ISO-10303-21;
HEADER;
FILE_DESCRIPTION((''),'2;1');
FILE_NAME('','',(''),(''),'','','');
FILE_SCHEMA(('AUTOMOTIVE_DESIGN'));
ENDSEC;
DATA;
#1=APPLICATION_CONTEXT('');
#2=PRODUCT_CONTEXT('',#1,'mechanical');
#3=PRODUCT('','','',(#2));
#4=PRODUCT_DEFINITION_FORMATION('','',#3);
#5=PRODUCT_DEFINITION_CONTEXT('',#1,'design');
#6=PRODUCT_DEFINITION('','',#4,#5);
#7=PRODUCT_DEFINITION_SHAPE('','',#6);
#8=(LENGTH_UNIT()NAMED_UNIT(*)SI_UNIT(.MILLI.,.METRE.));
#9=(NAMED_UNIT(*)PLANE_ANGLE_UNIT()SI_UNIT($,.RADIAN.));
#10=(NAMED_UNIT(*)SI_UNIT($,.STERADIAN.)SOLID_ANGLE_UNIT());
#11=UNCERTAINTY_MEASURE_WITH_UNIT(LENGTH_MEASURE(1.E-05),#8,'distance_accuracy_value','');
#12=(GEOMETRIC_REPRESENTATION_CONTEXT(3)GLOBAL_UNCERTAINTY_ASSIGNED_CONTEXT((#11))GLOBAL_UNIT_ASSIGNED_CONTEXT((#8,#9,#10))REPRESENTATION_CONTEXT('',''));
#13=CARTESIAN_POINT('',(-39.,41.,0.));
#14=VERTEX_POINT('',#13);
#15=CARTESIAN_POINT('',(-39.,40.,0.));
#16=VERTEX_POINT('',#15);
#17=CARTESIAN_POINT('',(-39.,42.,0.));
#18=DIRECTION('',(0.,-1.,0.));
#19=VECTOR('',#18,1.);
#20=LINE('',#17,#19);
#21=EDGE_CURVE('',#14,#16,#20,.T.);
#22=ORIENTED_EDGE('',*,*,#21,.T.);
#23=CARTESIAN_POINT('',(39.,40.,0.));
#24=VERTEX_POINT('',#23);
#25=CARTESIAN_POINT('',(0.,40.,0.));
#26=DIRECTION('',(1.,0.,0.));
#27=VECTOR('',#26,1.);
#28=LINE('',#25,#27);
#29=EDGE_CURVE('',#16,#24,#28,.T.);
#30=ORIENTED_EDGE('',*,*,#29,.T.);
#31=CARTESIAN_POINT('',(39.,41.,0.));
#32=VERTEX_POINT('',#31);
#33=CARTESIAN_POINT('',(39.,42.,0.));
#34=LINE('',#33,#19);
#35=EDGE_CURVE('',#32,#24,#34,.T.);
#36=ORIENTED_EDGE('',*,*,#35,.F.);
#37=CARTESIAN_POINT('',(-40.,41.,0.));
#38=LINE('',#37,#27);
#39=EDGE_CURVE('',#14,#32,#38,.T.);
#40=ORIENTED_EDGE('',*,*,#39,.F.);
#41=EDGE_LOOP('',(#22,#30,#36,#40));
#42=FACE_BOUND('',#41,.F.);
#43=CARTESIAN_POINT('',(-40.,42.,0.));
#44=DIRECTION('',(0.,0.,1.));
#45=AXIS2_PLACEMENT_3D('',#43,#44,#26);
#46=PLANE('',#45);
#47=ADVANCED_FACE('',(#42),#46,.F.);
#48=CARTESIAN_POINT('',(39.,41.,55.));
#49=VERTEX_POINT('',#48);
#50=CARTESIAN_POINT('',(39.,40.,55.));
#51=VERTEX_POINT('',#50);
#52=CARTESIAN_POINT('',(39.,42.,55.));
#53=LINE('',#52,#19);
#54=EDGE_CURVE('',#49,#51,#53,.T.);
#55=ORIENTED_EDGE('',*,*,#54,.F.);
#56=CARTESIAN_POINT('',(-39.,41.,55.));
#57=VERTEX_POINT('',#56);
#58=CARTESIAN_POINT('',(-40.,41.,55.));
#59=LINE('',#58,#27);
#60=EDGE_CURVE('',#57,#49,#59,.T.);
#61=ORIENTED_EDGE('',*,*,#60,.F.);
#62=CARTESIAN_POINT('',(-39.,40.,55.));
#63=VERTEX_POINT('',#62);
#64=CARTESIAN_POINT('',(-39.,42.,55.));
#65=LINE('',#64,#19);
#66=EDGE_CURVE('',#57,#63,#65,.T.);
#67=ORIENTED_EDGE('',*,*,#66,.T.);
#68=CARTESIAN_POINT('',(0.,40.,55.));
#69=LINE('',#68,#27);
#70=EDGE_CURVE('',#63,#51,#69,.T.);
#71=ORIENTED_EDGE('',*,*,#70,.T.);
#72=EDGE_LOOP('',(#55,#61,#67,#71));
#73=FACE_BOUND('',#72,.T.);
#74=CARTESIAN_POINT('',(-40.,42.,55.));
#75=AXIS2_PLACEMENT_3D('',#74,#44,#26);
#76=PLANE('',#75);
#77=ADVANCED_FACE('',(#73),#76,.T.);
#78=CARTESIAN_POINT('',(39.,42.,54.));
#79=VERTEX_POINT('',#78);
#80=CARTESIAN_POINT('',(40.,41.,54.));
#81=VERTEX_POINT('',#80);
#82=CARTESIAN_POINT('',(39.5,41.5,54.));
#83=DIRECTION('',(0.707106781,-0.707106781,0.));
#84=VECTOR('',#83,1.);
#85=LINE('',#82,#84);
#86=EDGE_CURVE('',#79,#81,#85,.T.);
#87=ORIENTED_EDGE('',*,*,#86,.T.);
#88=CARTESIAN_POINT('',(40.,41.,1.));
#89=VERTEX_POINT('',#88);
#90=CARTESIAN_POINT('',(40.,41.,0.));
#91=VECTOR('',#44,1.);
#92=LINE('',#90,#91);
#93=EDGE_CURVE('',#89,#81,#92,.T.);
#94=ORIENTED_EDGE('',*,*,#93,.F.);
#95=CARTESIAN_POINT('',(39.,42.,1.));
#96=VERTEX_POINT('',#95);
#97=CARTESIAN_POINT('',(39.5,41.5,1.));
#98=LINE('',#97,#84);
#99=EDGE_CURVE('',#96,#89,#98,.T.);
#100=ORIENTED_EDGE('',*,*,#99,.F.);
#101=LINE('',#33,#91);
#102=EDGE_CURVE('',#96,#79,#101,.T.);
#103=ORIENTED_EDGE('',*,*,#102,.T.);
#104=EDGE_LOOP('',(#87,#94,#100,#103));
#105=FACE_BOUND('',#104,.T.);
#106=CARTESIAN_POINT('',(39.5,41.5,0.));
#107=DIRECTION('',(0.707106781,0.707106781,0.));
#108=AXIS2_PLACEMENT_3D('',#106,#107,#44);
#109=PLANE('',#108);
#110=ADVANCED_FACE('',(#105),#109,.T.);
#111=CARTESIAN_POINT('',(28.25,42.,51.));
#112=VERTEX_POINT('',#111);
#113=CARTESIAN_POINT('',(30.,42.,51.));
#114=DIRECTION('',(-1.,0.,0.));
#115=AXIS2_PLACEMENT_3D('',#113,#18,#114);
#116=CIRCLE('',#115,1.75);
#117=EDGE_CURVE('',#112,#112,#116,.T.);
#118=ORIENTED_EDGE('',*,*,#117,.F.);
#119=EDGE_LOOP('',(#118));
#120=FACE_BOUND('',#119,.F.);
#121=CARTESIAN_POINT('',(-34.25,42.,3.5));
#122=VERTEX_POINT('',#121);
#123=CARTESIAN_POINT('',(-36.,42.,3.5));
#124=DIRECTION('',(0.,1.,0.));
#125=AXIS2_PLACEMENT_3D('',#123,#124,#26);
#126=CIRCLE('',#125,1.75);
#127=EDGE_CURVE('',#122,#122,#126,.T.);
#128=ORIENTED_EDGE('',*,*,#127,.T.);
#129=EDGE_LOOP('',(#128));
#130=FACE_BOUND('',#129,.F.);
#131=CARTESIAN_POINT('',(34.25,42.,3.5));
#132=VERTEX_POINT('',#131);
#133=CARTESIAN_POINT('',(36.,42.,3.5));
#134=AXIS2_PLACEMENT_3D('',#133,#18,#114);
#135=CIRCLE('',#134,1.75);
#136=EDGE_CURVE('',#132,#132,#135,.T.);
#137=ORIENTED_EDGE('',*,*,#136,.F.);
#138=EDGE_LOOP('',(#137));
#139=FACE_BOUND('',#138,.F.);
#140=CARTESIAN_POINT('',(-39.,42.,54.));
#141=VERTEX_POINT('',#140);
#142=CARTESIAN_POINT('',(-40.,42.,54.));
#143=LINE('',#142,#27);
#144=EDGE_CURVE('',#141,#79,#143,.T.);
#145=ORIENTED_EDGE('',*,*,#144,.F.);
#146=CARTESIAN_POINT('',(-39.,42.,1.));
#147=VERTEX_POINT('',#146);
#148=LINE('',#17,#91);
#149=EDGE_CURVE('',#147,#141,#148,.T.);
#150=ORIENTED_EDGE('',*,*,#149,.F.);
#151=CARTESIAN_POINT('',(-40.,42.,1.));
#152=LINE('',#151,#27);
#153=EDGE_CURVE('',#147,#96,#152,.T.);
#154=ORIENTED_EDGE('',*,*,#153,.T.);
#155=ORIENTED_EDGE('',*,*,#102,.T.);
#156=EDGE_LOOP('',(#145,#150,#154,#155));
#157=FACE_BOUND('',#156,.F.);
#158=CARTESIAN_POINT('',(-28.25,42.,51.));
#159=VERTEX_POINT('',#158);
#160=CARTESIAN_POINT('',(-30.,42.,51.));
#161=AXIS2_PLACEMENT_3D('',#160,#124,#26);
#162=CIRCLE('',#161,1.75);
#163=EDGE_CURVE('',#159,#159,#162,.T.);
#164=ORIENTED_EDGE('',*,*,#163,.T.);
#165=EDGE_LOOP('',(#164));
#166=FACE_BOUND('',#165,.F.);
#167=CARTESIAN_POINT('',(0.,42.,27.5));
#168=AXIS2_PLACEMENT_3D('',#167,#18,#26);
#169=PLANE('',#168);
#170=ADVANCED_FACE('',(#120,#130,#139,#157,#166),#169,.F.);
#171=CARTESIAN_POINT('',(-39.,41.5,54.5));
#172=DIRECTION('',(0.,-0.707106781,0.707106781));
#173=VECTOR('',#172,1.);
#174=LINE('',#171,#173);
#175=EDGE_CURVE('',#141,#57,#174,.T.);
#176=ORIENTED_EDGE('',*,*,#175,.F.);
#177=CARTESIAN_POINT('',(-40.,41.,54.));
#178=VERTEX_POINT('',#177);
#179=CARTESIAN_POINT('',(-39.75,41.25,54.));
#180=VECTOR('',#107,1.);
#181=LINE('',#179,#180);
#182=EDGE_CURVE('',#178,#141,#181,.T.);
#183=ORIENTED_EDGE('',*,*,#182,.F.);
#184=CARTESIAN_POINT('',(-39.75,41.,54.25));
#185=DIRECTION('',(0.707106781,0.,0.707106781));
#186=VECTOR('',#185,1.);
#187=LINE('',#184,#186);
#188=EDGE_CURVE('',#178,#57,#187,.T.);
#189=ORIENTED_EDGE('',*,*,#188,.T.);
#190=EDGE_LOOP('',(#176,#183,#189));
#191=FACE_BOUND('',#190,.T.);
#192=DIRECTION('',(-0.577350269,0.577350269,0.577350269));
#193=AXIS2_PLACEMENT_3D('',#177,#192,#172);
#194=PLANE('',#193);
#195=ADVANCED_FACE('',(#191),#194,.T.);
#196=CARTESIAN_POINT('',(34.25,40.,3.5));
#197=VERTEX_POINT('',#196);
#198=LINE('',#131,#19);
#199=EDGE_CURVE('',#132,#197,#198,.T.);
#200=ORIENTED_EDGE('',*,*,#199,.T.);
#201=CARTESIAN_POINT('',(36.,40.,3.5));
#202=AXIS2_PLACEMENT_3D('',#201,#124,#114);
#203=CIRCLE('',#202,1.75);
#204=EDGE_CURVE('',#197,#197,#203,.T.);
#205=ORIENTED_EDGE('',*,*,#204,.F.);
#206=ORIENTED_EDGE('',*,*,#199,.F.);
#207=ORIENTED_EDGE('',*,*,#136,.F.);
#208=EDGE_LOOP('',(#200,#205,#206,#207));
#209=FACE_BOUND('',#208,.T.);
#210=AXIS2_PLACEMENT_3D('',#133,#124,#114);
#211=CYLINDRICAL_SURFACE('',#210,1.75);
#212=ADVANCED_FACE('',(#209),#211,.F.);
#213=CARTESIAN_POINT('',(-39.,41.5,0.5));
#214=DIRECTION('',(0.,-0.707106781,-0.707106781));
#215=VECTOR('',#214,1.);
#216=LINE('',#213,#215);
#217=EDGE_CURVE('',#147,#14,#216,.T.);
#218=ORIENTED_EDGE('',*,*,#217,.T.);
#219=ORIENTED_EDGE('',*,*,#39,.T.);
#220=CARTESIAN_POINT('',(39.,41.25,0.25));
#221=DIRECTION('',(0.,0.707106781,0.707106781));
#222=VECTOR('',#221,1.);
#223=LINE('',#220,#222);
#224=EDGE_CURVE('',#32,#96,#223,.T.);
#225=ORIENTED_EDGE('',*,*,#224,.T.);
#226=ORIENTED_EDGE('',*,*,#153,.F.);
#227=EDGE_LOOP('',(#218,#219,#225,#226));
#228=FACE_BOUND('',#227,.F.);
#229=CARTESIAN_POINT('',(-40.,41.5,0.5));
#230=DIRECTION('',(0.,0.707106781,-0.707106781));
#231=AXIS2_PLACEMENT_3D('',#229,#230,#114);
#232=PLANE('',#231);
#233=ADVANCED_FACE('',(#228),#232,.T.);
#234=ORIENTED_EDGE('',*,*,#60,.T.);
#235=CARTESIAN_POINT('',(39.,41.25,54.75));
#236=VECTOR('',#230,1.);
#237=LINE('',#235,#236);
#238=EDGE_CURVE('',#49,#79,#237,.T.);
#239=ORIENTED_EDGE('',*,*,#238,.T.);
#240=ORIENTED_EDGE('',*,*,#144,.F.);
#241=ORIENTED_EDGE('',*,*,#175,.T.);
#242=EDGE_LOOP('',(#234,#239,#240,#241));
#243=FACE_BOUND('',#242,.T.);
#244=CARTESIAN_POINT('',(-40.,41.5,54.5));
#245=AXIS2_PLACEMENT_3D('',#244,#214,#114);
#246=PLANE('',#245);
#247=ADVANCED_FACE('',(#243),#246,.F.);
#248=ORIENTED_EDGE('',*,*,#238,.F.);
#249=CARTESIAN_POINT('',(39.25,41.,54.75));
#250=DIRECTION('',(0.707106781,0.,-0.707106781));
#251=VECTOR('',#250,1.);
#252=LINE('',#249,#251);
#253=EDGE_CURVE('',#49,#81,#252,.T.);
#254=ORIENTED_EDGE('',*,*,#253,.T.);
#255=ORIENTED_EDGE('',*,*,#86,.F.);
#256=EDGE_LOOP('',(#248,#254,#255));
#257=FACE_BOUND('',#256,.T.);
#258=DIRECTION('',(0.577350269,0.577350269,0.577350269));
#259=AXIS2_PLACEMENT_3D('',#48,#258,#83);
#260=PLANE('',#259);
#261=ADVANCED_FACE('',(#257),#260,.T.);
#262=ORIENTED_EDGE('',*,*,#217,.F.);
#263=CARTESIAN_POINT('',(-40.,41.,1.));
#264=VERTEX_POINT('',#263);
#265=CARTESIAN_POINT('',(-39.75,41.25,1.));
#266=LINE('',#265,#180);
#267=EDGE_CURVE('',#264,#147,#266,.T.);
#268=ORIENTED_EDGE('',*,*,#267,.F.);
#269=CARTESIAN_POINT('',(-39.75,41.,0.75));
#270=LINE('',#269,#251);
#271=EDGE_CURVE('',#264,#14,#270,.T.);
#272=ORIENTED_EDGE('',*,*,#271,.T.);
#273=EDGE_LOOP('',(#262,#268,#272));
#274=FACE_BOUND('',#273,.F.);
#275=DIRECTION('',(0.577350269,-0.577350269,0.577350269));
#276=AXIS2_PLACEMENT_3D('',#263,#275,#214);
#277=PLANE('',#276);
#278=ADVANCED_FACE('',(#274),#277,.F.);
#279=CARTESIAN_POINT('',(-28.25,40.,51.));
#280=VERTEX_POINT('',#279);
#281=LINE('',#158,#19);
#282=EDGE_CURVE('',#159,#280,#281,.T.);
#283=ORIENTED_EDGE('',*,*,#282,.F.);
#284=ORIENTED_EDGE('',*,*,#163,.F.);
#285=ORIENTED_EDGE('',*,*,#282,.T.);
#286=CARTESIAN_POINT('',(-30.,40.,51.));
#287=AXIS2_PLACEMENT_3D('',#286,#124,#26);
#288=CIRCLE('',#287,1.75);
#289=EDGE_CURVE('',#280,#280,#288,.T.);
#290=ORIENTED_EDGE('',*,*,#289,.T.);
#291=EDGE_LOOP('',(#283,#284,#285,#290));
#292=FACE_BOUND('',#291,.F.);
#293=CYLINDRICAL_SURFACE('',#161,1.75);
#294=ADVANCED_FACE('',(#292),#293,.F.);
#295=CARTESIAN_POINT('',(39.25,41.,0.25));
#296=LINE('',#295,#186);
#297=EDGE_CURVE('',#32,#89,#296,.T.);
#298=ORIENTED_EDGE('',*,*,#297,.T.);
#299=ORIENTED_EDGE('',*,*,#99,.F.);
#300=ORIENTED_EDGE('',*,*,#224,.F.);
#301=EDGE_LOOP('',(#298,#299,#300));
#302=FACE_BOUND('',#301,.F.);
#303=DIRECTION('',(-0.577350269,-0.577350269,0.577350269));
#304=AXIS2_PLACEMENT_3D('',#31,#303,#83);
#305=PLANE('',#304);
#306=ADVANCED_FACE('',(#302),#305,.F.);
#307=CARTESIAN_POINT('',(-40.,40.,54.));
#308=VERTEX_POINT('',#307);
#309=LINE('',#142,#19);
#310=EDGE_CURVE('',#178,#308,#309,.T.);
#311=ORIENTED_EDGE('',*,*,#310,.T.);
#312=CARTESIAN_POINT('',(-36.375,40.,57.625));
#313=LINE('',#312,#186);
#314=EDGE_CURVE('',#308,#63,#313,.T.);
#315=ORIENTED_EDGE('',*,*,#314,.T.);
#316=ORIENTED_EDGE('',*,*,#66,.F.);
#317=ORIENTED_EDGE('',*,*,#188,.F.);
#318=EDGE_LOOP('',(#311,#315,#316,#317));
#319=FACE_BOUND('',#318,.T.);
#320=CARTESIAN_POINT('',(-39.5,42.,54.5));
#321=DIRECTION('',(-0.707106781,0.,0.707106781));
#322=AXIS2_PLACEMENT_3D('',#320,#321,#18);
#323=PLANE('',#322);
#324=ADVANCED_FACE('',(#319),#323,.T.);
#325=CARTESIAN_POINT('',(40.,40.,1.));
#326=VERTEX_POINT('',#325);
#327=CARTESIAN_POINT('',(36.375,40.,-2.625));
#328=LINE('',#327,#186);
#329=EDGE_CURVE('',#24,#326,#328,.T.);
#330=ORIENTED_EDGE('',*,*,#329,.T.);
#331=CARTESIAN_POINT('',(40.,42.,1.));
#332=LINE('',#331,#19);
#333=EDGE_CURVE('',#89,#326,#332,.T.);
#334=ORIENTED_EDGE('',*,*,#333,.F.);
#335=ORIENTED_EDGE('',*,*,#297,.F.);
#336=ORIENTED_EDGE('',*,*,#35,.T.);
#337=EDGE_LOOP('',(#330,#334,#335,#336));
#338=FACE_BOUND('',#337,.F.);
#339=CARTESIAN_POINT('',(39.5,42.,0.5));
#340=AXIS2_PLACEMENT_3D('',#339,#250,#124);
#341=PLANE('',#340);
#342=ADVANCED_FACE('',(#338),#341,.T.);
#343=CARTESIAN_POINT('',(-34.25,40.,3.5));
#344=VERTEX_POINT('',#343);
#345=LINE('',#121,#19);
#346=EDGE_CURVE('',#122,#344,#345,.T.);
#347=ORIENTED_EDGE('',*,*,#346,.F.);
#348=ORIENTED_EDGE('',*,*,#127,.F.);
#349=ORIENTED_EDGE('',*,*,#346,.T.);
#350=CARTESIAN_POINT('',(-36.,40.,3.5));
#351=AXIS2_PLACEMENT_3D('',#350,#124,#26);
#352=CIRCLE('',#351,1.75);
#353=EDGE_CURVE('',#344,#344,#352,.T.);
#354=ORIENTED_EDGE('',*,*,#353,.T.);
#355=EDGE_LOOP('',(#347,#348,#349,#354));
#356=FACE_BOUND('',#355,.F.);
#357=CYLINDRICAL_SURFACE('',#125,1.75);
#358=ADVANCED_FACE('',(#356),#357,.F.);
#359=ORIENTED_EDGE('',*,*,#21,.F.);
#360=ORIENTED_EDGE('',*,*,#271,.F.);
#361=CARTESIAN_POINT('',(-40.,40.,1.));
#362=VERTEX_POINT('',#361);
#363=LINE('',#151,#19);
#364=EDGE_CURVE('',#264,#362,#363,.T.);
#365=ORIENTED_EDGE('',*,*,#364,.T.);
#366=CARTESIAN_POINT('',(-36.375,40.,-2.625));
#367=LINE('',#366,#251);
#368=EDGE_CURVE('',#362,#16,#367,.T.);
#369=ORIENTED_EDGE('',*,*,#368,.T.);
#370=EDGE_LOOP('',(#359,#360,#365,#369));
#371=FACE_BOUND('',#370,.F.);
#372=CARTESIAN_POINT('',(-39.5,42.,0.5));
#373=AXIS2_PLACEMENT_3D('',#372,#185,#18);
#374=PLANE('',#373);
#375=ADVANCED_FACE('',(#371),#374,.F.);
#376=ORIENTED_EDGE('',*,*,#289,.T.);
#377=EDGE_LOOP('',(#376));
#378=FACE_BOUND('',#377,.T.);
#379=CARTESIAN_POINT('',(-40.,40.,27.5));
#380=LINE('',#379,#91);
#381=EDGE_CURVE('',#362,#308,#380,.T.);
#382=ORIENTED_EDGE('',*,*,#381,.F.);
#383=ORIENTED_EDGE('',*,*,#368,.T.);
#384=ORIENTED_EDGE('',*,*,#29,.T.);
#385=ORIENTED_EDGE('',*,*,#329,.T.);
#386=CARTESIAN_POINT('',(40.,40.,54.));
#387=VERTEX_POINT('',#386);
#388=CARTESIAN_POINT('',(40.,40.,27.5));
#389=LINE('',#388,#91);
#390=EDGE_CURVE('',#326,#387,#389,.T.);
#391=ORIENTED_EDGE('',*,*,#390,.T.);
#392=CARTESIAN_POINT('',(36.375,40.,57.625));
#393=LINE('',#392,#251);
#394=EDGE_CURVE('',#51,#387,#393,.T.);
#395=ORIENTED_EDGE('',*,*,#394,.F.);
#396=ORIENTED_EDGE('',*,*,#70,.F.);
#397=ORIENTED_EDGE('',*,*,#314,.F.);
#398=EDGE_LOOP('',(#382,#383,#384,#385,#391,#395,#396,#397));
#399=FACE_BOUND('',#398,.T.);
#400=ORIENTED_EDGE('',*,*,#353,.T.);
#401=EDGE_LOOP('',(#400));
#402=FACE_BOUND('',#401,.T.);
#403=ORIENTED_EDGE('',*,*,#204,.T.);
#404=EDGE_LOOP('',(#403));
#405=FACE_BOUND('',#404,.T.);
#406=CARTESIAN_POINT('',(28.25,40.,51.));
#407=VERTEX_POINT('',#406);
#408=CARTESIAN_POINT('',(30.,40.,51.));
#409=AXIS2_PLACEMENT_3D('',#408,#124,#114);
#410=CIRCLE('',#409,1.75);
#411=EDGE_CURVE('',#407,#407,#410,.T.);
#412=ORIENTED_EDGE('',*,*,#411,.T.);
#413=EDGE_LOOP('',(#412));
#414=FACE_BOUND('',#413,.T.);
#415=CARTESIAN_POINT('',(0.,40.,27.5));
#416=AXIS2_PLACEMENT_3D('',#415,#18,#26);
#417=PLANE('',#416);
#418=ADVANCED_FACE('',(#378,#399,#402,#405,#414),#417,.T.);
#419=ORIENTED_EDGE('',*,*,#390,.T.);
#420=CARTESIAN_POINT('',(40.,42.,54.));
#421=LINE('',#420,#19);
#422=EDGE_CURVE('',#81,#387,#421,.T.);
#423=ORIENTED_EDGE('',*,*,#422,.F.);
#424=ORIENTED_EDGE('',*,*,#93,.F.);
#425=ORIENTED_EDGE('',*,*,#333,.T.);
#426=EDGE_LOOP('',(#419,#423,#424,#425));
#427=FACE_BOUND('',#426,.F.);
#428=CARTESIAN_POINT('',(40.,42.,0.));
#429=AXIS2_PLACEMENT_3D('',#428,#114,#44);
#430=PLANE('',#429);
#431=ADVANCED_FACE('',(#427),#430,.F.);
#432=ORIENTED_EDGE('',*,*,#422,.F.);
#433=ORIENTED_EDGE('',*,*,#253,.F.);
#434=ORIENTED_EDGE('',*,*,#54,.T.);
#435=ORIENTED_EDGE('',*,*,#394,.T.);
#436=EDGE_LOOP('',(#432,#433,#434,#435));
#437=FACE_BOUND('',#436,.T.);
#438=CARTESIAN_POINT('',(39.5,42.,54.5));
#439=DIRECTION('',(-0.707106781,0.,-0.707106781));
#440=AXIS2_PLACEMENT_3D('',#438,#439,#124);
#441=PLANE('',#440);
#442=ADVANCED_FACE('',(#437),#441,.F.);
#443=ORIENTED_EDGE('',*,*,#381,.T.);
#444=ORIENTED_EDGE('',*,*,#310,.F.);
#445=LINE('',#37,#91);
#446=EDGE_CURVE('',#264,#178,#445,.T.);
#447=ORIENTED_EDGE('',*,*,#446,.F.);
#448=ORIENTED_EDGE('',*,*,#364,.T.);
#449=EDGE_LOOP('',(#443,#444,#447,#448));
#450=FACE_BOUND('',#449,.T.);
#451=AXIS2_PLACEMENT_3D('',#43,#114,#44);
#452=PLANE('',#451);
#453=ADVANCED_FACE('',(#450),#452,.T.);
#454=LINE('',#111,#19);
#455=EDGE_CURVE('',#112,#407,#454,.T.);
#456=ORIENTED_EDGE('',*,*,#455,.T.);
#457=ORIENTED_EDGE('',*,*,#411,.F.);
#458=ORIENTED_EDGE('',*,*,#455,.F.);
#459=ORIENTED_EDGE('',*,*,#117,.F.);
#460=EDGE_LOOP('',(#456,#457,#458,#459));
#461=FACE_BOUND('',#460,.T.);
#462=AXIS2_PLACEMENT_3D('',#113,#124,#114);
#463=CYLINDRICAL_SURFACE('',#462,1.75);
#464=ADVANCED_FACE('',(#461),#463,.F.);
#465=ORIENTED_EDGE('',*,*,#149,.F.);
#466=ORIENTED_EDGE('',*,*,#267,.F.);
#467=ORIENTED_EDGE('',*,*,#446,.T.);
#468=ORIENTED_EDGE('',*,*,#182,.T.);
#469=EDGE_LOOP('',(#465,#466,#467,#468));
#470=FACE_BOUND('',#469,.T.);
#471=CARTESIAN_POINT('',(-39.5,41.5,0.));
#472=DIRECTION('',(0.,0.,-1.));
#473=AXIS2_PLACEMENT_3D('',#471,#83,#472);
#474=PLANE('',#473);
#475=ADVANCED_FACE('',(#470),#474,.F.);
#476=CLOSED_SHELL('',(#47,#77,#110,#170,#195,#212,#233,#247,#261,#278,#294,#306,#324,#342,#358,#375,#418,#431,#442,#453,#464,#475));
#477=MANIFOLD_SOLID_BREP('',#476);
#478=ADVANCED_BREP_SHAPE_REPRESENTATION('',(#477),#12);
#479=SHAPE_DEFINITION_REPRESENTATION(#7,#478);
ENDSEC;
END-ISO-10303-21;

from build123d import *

# Parameters (mm, degrees)
SKETCH045_W     = 80
SKETCH045_H     = 55
PAD012_DEPTH    = 2
SKETCH046_R     = 1.75
POCKET037_DEPTH = 5
CHAMFER_SIZE    = 1


with BuildPart() as part:
    # Sketch045 → Pad012 (new body)
    with BuildSketch(Plane.XZ):
        with Locations((0, 27.5)):
            Rectangle(SKETCH045_W, SKETCH045_H)
    extrude(amount=PAD012_DEPTH)

    # Sketch046 (on Face5 of Pad012) → Pocket037 (cut)
    with BuildSketch(Plane(origin=(0, 0, 0), x_dir=(1, 0, 0), z_dir=(0, 1, 0))):
        with Locations((-36, -3.5)):
            Circle(SKETCH046_R)
        with Locations((-30, -51)):
            Circle(SKETCH046_R)
    pocket037 = extrude(amount=-POCKET037_DEPTH, mode=Mode.SUBTRACT)

    # Mirrored001: Pocket037 across Sketch046 V_Axis
    add(pocket037.mirror(Plane.YZ), mode=Mode.SUBTRACT)

    # Chamfer
    chamfer_edges = [part.edges().sort_by_distance(p)[0] for p in [
        (40, 0, 27.5),
        (0, 0, 55),
        (0, 0, 0),
        (-40, 0, 27.5),
        (40, -1, 55),
        (-40, -1, 55),
        (-40, -1, 0),
        (40, -1, 0),
    ]]
    chamfer(chamfer_edges, length=CHAMFER_SIZE)


with BuildPart() as part_1:
    # Body004 placement: moved
    add(part.part.moved(Location((0, 42, 0))))


solid = part_1.part
